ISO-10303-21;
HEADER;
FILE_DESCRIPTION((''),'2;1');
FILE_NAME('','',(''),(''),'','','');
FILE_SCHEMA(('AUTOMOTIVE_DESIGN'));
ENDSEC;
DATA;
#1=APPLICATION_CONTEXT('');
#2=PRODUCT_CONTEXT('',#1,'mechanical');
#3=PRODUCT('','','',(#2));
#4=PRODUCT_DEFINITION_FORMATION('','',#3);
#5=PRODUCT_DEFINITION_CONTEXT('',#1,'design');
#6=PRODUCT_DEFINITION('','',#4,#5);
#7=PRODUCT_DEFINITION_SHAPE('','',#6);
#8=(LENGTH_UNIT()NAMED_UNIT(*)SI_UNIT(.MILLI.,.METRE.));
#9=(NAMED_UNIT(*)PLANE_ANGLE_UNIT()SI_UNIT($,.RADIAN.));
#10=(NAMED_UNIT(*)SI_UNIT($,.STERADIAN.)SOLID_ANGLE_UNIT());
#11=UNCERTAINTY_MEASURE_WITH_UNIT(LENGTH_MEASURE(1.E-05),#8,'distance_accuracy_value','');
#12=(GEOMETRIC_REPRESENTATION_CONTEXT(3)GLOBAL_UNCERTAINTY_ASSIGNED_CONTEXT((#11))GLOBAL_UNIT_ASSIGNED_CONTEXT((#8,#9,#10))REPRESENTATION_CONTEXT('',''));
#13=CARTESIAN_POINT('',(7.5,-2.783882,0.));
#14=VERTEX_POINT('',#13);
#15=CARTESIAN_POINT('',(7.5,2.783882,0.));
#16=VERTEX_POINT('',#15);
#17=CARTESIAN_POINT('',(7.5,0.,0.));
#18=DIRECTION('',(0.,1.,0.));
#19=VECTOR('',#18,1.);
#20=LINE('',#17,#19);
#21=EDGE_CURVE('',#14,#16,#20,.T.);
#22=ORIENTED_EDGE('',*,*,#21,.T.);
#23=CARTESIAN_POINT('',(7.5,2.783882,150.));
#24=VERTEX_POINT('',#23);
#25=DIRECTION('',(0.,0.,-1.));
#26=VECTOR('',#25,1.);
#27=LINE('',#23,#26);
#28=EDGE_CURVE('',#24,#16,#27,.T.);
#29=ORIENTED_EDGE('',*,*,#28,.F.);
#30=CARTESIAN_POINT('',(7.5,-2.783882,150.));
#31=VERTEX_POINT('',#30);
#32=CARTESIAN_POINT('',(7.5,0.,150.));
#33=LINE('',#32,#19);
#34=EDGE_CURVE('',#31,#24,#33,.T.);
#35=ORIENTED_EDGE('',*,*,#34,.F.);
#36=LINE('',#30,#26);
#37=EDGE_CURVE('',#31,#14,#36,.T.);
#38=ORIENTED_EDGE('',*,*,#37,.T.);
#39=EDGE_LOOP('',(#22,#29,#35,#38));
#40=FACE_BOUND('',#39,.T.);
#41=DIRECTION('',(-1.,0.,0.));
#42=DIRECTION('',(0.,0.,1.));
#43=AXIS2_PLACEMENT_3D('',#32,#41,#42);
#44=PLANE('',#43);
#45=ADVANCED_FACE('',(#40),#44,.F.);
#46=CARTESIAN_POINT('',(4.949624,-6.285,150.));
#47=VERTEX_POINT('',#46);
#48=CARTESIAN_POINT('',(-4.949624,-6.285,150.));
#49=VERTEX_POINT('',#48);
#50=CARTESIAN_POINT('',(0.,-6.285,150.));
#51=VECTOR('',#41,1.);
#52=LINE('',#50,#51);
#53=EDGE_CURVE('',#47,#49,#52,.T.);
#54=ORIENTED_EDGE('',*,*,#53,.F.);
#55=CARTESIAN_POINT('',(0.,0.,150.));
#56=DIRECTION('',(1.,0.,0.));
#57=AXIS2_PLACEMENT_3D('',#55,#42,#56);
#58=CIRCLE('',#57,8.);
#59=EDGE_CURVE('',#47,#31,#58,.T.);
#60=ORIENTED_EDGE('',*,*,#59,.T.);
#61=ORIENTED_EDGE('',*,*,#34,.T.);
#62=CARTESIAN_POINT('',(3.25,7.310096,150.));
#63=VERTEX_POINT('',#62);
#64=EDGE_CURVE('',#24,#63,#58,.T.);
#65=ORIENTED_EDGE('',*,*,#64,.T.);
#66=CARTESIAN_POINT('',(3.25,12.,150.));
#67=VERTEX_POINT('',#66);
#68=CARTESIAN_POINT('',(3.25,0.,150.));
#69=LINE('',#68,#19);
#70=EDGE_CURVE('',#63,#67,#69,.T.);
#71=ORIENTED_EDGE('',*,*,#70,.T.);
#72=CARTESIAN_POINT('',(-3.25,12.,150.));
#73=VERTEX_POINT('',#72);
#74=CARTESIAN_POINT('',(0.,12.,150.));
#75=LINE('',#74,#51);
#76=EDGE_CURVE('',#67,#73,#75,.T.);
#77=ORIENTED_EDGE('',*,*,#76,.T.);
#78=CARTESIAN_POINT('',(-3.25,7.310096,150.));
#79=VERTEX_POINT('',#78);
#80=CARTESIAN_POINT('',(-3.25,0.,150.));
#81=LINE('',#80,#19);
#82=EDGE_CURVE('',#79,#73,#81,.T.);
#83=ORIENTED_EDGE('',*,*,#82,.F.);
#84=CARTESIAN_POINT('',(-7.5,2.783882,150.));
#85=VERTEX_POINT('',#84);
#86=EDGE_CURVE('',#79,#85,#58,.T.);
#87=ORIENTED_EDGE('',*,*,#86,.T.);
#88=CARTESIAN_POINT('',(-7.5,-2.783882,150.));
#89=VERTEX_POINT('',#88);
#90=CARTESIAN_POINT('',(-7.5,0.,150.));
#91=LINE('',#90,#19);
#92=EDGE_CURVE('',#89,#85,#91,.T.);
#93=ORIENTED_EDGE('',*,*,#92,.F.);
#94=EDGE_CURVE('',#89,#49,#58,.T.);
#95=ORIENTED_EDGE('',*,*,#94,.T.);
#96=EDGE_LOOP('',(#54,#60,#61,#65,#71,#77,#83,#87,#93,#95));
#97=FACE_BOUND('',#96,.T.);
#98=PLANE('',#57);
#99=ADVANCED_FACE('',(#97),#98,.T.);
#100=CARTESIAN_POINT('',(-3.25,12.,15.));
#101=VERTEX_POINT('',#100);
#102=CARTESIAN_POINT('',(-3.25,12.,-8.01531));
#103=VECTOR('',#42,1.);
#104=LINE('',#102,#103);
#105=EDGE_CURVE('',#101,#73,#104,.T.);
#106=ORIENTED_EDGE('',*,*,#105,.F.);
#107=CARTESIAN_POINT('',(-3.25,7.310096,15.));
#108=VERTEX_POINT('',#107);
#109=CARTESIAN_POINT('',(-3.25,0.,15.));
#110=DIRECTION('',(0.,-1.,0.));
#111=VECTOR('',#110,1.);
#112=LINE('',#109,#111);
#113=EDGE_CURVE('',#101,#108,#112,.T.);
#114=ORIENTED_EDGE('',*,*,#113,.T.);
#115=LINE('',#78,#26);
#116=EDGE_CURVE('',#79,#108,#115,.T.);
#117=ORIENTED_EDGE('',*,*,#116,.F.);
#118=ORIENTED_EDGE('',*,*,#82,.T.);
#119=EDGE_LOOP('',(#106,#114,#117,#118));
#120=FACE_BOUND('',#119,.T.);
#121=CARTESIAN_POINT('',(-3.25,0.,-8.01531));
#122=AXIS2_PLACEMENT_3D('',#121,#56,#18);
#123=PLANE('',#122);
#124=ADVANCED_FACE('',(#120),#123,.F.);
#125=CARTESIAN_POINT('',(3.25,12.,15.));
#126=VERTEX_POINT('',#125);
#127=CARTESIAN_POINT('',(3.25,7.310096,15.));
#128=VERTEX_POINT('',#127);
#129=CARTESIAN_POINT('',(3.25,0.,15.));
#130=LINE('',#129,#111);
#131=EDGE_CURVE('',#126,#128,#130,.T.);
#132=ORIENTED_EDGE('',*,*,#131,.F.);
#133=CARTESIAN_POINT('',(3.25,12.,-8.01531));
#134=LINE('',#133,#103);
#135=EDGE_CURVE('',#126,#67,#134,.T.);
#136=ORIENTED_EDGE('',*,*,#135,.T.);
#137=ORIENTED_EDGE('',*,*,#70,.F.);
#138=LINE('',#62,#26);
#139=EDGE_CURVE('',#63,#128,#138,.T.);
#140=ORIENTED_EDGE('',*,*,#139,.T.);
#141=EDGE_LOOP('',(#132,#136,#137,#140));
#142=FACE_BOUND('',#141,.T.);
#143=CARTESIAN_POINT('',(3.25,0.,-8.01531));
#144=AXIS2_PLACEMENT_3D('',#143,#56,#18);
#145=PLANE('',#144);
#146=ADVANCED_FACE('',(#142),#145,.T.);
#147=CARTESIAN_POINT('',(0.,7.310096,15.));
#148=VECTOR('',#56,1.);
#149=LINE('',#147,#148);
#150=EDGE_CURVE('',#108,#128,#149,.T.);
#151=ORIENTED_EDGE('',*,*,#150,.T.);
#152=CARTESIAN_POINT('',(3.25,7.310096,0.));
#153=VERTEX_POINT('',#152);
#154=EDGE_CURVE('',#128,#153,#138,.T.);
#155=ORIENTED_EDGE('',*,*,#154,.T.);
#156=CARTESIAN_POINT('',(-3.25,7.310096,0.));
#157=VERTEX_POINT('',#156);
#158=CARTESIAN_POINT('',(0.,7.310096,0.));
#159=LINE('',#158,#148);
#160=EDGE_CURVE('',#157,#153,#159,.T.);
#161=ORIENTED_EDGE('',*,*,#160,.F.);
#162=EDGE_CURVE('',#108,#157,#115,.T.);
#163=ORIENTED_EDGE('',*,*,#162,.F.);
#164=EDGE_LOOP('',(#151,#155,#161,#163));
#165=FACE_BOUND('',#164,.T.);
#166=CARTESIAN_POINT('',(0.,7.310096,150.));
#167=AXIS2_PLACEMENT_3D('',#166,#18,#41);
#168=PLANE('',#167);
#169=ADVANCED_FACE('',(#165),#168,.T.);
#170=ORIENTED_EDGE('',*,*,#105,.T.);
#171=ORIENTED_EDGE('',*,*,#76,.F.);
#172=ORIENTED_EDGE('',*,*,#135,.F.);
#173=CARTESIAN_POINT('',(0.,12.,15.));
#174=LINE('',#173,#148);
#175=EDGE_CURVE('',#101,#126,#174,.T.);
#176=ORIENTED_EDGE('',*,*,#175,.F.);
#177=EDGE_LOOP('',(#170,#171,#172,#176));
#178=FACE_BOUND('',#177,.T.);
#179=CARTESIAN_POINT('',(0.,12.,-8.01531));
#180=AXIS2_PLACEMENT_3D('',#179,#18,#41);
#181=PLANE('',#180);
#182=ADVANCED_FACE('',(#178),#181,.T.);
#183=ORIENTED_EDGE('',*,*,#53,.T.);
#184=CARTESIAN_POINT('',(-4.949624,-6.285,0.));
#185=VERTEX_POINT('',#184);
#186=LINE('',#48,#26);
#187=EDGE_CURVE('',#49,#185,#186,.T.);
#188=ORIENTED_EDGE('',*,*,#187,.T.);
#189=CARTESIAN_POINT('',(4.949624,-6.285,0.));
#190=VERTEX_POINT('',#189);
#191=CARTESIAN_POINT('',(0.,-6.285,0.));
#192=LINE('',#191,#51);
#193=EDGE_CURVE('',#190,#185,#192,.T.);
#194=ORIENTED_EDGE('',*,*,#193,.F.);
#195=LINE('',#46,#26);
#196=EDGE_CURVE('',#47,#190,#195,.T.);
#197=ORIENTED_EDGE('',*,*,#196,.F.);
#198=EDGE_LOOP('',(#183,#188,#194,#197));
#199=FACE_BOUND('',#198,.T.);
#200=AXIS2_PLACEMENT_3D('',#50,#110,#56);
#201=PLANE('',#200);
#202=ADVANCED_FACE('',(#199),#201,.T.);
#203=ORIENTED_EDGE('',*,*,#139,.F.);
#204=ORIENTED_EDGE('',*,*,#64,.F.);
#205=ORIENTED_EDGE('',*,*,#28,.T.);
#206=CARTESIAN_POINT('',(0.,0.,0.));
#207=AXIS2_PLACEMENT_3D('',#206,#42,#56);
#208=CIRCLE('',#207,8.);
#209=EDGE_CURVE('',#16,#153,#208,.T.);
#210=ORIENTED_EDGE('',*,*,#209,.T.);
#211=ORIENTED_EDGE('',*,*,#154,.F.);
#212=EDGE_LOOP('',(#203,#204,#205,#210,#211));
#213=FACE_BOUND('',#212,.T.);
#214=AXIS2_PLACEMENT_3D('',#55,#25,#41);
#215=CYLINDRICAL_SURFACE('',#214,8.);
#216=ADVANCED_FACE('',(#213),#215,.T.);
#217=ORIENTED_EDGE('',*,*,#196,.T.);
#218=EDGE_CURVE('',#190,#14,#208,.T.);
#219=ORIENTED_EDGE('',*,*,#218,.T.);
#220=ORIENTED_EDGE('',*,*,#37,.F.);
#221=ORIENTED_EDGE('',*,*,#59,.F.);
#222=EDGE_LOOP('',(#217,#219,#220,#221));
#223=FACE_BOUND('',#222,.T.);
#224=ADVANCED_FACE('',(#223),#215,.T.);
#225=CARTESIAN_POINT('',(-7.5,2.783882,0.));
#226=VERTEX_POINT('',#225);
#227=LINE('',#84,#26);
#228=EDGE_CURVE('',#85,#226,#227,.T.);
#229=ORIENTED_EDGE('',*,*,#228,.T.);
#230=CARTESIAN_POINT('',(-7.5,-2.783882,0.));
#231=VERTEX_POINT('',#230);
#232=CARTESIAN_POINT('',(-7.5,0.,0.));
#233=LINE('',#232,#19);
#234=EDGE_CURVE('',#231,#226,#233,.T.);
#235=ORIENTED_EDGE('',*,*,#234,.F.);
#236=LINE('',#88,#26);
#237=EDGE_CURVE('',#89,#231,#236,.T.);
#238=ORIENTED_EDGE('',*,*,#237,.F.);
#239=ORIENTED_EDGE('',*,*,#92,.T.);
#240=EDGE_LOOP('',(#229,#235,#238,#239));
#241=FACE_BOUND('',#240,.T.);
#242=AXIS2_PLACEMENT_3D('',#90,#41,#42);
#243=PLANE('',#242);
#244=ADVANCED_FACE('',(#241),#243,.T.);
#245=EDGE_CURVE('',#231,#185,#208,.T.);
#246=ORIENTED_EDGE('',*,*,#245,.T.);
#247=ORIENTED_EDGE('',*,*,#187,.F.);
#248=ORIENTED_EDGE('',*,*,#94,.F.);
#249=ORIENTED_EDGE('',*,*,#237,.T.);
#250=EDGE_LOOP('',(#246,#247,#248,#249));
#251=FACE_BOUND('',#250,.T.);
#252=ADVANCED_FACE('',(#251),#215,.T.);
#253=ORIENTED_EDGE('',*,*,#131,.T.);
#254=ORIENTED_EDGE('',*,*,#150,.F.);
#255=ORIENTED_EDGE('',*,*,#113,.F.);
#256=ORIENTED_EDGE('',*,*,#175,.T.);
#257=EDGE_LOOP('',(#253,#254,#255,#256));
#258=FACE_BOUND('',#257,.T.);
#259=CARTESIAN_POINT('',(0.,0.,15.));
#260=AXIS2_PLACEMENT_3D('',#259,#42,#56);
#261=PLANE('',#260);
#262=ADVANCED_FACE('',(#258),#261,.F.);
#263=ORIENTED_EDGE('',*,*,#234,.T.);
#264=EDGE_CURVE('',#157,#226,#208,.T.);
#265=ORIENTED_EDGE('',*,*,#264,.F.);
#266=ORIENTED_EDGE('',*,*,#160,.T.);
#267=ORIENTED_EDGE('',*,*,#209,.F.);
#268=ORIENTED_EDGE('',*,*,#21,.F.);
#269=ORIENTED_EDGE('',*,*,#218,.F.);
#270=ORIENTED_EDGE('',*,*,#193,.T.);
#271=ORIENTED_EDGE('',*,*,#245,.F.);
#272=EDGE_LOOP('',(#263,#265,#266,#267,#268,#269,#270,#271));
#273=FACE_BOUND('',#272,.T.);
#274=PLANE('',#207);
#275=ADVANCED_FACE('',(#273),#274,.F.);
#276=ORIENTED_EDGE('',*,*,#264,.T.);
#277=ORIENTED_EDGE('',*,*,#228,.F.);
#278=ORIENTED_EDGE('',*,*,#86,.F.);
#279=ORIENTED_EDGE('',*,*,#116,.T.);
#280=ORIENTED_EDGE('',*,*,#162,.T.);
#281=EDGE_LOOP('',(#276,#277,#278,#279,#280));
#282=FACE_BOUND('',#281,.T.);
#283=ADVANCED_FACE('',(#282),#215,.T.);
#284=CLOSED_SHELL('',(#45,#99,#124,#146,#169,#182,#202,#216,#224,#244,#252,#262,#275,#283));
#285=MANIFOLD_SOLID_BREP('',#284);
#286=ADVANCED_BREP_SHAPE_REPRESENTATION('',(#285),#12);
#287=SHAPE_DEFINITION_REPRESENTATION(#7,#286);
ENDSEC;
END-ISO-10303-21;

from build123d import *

# Parameters (mm, degrees)
BOSS_EXTRUDE1_DEPTH = 150
BOSS_EXTRUDE2_START = 150
SKETCH1_3_W         = 6.5
SKETCH1_3_H         = 4.689904241
BOSS_EXTRUDE2_DEPTH = 135


with BuildPart() as part:
    # Sketch1 → Boss-Extrude1 (new body)
    with BuildSketch(Plane.XY):
        with BuildLine():
            Line((3.25, 7.310095759), (-3.25, 7.310095759))
            ThreePointArc((-3.25, 7.310095759), (-5.832004573, 5.476104698), (-7.5, 2.783882181))
            Line((-7.5, 2.783882181), (-7.5, -2.783882181))
            ThreePointArc((-7.5, -2.783882181), (-6.466277075, -4.710335529), (-4.949623723, -6.285))
            Line((-4.949623723, -6.285), (4.949623723, -6.285))
            ThreePointArc((4.949623723, -6.285), (6.466277075, -4.710335529), (7.5, -2.783882181))
            Line((7.5, -2.783882181), (7.5, 2.783882181))
            ThreePointArc((7.5, 2.783882181), (5.832004573, 5.476104698), (3.25, 7.310095759))
        make_face()
    extrude(amount=BOSS_EXTRUDE1_DEPTH)

    # Sketch1<3> → Boss-Extrude2 (add)
    with BuildSketch(Plane.XY.offset(BOSS_EXTRUDE2_START)):
        with Locations((0, 9.655047879)):
            Rectangle(SKETCH1_3_W, SKETCH1_3_H)
    extrude(amount=-BOSS_EXTRUDE2_DEPTH)


solid = part.part
